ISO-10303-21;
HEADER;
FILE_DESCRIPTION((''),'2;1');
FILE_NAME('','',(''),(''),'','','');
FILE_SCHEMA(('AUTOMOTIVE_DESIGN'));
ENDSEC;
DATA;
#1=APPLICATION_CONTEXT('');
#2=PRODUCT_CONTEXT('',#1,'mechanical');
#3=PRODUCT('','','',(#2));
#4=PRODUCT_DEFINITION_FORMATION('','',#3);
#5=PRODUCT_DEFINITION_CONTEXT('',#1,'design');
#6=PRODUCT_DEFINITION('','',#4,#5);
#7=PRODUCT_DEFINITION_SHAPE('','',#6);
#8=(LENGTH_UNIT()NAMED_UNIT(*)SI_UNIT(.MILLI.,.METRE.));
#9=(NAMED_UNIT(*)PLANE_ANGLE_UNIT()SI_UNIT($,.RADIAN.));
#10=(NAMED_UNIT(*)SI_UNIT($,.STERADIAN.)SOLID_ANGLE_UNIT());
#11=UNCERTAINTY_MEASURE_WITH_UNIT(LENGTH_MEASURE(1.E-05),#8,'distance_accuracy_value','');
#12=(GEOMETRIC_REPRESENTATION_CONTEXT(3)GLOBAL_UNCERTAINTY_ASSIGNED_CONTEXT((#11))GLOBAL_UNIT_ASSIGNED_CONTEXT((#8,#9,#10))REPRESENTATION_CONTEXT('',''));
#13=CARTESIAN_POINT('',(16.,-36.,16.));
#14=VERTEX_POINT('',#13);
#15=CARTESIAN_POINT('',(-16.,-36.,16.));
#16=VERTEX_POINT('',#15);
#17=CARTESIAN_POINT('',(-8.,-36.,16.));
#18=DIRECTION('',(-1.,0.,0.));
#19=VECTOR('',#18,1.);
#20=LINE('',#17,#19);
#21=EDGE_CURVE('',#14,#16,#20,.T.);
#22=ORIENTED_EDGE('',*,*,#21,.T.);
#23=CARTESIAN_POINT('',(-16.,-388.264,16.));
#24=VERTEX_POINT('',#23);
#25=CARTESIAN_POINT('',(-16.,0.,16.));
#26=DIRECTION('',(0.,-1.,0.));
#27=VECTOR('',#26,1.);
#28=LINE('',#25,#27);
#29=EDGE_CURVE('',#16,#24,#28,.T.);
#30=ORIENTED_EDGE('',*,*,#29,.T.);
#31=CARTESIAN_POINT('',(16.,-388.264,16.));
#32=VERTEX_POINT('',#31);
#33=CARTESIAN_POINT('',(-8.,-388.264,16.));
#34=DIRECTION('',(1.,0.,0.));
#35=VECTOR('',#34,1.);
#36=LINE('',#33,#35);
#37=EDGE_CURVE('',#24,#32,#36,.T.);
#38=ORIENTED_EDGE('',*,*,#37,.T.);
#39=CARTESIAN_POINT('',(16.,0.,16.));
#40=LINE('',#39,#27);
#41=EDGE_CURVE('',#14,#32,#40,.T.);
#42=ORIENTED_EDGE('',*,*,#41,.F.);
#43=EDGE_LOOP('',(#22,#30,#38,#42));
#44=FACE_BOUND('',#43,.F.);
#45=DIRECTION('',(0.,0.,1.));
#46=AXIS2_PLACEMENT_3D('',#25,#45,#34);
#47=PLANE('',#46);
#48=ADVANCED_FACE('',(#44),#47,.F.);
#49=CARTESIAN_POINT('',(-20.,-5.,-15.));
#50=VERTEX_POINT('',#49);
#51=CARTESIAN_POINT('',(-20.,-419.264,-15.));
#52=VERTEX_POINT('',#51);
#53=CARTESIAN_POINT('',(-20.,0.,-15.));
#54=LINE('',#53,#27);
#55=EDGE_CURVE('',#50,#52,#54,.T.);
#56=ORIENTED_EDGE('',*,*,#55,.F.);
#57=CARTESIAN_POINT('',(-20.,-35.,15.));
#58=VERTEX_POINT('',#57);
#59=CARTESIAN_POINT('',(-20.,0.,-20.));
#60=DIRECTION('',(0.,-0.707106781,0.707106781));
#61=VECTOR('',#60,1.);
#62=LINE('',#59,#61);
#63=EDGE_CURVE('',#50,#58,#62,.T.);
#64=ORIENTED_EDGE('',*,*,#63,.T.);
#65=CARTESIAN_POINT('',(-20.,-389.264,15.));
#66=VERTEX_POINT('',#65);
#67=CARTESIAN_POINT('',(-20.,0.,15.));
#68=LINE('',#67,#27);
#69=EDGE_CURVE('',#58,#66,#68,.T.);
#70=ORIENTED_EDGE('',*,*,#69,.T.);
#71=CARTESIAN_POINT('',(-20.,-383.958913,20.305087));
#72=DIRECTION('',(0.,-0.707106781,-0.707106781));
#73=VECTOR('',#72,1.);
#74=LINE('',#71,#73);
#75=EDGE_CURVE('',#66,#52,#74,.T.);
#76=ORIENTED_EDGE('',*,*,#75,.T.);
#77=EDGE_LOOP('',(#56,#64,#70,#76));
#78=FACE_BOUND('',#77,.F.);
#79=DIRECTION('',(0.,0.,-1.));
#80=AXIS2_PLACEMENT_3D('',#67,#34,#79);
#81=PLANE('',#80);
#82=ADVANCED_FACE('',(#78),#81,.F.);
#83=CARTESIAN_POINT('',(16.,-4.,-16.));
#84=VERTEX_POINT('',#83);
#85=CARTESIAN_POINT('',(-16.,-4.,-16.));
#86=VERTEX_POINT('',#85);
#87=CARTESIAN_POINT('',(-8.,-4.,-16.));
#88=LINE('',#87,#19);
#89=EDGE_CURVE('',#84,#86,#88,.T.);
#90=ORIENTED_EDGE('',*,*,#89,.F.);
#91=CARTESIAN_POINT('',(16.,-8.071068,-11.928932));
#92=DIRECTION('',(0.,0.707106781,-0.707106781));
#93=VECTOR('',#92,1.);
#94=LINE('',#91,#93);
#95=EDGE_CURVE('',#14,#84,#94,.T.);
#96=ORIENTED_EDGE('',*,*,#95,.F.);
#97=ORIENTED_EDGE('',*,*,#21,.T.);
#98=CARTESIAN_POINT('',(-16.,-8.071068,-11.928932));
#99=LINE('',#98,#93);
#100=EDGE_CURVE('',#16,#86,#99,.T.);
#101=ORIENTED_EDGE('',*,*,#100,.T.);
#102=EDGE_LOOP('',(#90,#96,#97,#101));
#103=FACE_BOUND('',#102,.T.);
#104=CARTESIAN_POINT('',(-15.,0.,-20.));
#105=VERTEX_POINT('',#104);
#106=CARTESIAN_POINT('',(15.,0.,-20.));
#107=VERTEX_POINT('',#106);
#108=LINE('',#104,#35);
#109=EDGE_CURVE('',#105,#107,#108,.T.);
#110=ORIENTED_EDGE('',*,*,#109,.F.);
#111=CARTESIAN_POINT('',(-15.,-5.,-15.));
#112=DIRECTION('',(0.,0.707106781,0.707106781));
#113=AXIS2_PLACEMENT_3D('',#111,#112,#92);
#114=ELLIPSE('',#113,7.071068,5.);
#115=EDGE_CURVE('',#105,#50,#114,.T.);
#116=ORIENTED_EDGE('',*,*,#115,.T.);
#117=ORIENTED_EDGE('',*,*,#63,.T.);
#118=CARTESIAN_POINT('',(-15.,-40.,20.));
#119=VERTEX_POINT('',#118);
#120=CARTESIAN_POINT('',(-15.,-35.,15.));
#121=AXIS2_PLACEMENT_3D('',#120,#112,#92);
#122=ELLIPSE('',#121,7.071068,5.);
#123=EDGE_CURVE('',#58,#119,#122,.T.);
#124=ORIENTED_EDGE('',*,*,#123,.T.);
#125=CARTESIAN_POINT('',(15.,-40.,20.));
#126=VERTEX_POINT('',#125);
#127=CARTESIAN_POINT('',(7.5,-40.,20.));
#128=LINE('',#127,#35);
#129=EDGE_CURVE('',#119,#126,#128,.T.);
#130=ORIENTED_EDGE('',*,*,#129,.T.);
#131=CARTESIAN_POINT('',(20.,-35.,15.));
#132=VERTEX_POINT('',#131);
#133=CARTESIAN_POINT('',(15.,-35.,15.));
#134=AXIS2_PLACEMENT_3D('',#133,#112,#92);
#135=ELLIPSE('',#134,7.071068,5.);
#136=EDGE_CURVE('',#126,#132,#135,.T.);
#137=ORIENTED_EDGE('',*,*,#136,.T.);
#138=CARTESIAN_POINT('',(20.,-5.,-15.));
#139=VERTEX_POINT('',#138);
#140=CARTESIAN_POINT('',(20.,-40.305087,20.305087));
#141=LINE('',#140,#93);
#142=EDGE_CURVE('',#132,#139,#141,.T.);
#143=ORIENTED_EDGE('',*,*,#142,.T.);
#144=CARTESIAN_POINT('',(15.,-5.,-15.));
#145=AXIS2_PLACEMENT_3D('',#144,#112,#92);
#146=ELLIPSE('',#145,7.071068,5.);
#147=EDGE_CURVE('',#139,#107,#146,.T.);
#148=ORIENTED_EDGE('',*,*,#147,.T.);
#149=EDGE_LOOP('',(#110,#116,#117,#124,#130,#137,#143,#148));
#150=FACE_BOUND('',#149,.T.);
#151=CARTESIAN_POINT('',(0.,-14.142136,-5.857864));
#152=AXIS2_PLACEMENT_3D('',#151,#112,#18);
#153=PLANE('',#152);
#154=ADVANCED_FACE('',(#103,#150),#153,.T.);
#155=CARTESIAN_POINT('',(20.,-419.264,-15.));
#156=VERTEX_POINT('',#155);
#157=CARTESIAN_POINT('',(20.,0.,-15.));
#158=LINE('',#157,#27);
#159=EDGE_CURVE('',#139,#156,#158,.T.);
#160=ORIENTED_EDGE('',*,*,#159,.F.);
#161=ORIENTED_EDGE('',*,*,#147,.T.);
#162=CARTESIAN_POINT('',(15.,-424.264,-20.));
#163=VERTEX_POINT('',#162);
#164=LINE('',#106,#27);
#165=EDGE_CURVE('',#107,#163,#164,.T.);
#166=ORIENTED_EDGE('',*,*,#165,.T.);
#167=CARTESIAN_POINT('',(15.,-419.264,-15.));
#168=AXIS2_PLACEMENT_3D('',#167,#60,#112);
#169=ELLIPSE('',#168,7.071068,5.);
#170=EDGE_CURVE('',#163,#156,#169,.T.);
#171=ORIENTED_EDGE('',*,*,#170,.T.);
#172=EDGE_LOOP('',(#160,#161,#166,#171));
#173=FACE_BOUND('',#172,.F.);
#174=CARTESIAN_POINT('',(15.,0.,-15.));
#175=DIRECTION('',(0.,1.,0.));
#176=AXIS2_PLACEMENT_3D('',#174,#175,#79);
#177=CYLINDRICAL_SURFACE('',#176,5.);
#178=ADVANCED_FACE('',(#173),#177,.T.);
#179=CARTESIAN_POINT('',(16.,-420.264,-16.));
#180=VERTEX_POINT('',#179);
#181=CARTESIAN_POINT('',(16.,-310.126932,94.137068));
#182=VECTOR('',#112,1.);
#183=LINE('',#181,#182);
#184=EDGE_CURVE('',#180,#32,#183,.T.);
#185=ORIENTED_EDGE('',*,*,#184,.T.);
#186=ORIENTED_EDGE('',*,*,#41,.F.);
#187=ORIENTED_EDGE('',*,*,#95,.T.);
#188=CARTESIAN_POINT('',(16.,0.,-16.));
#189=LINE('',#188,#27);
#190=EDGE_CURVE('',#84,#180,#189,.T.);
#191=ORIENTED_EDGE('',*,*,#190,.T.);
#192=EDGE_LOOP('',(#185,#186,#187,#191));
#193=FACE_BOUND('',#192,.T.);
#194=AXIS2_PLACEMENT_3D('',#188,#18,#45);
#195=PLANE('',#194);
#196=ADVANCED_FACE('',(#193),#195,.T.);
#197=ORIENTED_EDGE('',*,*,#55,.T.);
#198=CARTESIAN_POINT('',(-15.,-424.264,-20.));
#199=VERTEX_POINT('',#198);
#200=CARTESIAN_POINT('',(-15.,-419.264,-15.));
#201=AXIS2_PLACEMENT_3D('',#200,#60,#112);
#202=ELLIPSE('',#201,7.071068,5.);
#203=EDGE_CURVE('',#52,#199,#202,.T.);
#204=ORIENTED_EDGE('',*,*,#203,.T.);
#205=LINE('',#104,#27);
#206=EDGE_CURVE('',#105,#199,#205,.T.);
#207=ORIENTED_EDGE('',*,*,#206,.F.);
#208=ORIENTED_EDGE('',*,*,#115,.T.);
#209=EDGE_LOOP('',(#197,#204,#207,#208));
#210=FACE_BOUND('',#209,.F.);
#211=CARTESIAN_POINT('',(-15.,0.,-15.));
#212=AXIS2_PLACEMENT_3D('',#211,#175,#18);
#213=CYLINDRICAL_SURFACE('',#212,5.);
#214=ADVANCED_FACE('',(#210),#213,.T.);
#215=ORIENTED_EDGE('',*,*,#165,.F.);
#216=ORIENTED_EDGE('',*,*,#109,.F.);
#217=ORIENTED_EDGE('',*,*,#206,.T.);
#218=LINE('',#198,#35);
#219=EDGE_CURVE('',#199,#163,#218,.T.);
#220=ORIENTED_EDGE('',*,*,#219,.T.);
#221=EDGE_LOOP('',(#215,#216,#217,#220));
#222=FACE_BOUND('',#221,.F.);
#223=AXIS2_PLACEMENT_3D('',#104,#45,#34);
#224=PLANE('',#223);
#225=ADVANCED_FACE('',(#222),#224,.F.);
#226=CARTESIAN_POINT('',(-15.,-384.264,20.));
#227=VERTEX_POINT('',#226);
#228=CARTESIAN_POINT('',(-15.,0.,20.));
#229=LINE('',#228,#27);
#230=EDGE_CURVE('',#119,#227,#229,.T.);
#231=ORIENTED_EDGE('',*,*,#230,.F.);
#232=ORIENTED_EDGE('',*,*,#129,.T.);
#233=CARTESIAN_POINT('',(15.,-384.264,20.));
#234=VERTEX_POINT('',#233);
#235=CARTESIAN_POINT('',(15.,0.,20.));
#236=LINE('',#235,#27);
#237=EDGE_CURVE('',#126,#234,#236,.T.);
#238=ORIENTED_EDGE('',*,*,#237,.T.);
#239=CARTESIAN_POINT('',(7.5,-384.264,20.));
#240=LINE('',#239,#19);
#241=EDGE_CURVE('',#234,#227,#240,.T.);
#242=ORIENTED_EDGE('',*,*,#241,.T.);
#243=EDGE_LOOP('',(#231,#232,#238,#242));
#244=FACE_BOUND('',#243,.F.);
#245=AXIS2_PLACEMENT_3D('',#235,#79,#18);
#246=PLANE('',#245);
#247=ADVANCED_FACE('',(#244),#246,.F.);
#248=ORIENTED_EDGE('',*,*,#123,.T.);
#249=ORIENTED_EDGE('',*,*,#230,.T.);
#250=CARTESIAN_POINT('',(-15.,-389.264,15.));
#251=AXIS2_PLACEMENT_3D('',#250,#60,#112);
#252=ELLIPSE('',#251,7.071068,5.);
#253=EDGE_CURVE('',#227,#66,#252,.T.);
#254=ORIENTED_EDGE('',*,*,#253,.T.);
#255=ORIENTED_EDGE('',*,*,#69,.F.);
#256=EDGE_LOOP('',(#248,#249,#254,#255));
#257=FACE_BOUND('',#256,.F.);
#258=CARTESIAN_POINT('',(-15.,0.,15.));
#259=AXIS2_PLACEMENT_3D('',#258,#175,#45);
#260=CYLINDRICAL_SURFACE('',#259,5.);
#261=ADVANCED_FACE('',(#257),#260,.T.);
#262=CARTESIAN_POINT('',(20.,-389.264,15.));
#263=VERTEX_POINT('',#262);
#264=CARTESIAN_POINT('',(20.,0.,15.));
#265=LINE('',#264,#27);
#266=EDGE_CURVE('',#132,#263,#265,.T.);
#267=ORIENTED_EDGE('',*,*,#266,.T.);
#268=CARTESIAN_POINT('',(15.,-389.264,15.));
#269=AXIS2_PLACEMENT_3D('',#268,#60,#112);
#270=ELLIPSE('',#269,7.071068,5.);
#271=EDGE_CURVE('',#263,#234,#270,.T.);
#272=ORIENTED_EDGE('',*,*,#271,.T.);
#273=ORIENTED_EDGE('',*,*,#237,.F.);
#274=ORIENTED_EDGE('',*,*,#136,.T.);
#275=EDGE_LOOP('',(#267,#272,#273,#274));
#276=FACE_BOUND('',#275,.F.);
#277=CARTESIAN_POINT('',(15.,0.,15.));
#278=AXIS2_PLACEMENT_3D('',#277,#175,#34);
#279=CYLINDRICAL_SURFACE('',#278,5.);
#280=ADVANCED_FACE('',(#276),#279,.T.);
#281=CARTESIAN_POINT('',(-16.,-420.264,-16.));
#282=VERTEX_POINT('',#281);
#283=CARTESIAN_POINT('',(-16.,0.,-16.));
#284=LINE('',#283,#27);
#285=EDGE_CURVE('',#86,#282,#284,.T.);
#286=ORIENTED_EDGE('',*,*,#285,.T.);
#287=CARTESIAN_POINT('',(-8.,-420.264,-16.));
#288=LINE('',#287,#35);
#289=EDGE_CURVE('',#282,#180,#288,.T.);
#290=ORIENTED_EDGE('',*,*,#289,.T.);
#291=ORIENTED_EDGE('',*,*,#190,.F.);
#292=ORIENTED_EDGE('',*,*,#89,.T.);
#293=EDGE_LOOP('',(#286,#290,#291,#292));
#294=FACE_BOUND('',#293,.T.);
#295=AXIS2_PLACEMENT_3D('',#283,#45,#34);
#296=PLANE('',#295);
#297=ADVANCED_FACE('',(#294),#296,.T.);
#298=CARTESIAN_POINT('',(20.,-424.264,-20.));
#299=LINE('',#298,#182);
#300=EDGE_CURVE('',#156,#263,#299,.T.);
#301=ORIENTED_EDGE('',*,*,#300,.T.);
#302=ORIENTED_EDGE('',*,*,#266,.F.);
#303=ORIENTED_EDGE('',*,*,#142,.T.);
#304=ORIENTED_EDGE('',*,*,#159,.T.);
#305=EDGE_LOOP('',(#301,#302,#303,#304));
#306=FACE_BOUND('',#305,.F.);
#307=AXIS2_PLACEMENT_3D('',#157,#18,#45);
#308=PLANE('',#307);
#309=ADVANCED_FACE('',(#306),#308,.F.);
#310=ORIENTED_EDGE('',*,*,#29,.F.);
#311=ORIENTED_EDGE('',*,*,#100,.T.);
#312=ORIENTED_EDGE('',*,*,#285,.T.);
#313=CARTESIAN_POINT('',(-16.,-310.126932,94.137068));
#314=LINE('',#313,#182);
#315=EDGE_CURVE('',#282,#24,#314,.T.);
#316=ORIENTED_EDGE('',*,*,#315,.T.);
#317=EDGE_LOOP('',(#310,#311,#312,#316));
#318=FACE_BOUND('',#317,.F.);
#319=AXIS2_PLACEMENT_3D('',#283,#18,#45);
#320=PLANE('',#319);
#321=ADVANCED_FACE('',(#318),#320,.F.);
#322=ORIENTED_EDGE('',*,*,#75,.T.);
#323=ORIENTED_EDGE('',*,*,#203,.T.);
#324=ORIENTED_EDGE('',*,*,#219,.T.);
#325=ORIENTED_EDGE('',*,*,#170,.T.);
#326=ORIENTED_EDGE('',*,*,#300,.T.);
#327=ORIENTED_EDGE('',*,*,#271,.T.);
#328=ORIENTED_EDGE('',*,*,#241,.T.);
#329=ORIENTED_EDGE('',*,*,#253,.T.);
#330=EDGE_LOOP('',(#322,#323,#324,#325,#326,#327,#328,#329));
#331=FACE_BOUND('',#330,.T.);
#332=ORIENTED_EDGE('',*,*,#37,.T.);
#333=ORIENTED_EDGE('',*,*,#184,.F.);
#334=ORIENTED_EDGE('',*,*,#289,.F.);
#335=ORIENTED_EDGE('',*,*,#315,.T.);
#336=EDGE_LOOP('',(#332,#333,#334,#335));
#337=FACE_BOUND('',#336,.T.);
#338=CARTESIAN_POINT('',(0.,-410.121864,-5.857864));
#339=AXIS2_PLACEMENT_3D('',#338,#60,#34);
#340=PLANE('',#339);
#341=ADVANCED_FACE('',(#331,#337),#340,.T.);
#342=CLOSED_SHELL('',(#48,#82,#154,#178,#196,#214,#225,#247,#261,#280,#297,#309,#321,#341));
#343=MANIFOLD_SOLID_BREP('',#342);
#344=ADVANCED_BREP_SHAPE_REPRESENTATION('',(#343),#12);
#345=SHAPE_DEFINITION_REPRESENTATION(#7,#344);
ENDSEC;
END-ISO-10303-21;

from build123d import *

# Parameters (mm, degrees)
F0_W     = 32
F0_H     = 32
F1_DEPTH = 424.264
F2_W     = 32
F2_H     = 32
F3_ANGLE = 45
F4_W     = 32
F4_H     = 32
F5_ANGLE = 45


with BuildPart() as f1:
    # F0 (on Front) → F1 (new body)
    with BuildSketch(Plane.XZ):
        with BuildLine():
            Line((-15, -20), (15, -20))
            ThreePointArc((15, -20), (18.5355339059, -18.5355339059), (20, -15))
            Line((20, -15), (20, 15))
            ThreePointArc((20, 15), (18.5355339059, 18.5355339059), (15, 20))
            Line((15, 20), (-15, 20))
            ThreePointArc((-15, 20), (-18.5355339059, 18.5355339059), (-20, 15))
            Line((-20, 15), (-20, -15))
            ThreePointArc((-20, -15), (-18.5355339059, -18.5355339059), (-15, -20))
        make_face()
        Rectangle(F0_W, F0_H, mode=Mode.SUBTRACT)
    extrude(amount=F1_DEPTH)

    # F2 (on face) → F3 (revolve, cut)
    with BuildSketch(Plane.XZ.offset(424.264)):
        with BuildLine():
            Line((-15, -20), (15, -20))
            ThreePointArc((15, -20), (18.5355339059, -18.5355339059), (20, -15))
            Line((20, -15), (20, 15))
            ThreePointArc((20, 15), (18.5355339059, 18.5355339059), (15, 20))
            Line((15, 20), (-15, 20))
            ThreePointArc((-15, 20), (-18.5355339059, 18.5355339059), (-20, 15))
            Line((-20, 15), (-20, -15))
            ThreePointArc((-20, -15), (-18.5355339059, -18.5355339059), (-15, -20))
        make_face()
        Rectangle(F2_W, F2_H, mode=Mode.SUBTRACT)
        with BuildLine():
            ThreePointArc((15, 20), (18.5355339059, 18.5355339059), (20, 15))
            Line((20, 15), (20, 20))
            Line((20, 20), (15, 20))
        make_face()
        with BuildLine():
            Line((-20, 20), (-20, 15))
            ThreePointArc((-20, 15), (-18.5355339059, 18.5355339059), (-15, 20))
            Line((-15, 20), (-20, 20))
        make_face()
        with BuildLine():
            Line((15, -20), (20, -20))
            Line((20, -20), (20, -15))
            ThreePointArc((20, -15), (18.5355339059, -18.5355339059), (15, -20))
        make_face()
        Rectangle(F2_W, F2_H)
        Polygon((15, 20), (20, 20), (20, 37), (-20, 37), (-20, 20), (-15, 20), align=None)
        with BuildLine():
            Line((-20, -20), (-15, -20))
            ThreePointArc((-15, -20), (-18.5355339059, -18.5355339059), (-20, -15))
            Line((-20, -15), (-20, -20))
        make_face()
    revolve(axis=Axis((0, -424.264, -20), (-1, 0, 0)), revolution_arc=F3_ANGLE, mode=Mode.SUBTRACT)

    # F4 (on face) → F5 (revolve, cut)
    with BuildSketch(Plane(origin=(0, 0, 0), x_dir=(-1, 0, 0), z_dir=(0, 1, 0))):
        with BuildLine():
            ThreePointArc((-20, -15), (-18.5355339059, -18.5355339059), (-15, -20))
            Line((-15, -20), (15, -20))
            ThreePointArc((15, -20), (18.5355339059, -18.5355339059), (20, -15))
            Line((20, -15), (20, 15))
            ThreePointArc((20, 15), (18.5355339059, 18.5355339059), (15, 20))
            Line((15, 20), (-15, 20))
            ThreePointArc((-15, 20), (-18.5355339059, 18.5355339059), (-20, 15))
            Line((-20, 15), (-20, -15))
        make_face()
        Rectangle(F4_W, F4_H, mode=Mode.SUBTRACT)
        Rectangle(F4_W, F4_H)
        with BuildLine():
            Line((-20, 37), (-20, 15))
            ThreePointArc((-20, 15), (-18.5355339059, 18.5355339059), (-15, 20))
            Line((-15, 20), (15, 20))
            ThreePointArc((15, 20), (18.5355339059, 18.5355339059), (20, 15))
            Line((20, 15), (20, 37))
            Line((20, 37), (-20, 37))
        make_face()
        with BuildLine():
            ThreePointArc((20, -15), (18.5355339059, -18.5355339059), (15, -20))
            Line((15, -20), (20, -20))
            Line((20, -20), (20, -15))
        make_face()
        with BuildLine():
            Line((-20, -15), (-20, -20))
            Line((-20, -20), (-15, -20))
            ThreePointArc((-15, -20), (-18.5355339059, -18.5355339059), (-20, -15))
        make_face()
    revolve(axis=Axis((0, 0, -20), (1, 0, 0)), revolution_arc=F5_ANGLE, mode=Mode.SUBTRACT)


solid = f1.part
